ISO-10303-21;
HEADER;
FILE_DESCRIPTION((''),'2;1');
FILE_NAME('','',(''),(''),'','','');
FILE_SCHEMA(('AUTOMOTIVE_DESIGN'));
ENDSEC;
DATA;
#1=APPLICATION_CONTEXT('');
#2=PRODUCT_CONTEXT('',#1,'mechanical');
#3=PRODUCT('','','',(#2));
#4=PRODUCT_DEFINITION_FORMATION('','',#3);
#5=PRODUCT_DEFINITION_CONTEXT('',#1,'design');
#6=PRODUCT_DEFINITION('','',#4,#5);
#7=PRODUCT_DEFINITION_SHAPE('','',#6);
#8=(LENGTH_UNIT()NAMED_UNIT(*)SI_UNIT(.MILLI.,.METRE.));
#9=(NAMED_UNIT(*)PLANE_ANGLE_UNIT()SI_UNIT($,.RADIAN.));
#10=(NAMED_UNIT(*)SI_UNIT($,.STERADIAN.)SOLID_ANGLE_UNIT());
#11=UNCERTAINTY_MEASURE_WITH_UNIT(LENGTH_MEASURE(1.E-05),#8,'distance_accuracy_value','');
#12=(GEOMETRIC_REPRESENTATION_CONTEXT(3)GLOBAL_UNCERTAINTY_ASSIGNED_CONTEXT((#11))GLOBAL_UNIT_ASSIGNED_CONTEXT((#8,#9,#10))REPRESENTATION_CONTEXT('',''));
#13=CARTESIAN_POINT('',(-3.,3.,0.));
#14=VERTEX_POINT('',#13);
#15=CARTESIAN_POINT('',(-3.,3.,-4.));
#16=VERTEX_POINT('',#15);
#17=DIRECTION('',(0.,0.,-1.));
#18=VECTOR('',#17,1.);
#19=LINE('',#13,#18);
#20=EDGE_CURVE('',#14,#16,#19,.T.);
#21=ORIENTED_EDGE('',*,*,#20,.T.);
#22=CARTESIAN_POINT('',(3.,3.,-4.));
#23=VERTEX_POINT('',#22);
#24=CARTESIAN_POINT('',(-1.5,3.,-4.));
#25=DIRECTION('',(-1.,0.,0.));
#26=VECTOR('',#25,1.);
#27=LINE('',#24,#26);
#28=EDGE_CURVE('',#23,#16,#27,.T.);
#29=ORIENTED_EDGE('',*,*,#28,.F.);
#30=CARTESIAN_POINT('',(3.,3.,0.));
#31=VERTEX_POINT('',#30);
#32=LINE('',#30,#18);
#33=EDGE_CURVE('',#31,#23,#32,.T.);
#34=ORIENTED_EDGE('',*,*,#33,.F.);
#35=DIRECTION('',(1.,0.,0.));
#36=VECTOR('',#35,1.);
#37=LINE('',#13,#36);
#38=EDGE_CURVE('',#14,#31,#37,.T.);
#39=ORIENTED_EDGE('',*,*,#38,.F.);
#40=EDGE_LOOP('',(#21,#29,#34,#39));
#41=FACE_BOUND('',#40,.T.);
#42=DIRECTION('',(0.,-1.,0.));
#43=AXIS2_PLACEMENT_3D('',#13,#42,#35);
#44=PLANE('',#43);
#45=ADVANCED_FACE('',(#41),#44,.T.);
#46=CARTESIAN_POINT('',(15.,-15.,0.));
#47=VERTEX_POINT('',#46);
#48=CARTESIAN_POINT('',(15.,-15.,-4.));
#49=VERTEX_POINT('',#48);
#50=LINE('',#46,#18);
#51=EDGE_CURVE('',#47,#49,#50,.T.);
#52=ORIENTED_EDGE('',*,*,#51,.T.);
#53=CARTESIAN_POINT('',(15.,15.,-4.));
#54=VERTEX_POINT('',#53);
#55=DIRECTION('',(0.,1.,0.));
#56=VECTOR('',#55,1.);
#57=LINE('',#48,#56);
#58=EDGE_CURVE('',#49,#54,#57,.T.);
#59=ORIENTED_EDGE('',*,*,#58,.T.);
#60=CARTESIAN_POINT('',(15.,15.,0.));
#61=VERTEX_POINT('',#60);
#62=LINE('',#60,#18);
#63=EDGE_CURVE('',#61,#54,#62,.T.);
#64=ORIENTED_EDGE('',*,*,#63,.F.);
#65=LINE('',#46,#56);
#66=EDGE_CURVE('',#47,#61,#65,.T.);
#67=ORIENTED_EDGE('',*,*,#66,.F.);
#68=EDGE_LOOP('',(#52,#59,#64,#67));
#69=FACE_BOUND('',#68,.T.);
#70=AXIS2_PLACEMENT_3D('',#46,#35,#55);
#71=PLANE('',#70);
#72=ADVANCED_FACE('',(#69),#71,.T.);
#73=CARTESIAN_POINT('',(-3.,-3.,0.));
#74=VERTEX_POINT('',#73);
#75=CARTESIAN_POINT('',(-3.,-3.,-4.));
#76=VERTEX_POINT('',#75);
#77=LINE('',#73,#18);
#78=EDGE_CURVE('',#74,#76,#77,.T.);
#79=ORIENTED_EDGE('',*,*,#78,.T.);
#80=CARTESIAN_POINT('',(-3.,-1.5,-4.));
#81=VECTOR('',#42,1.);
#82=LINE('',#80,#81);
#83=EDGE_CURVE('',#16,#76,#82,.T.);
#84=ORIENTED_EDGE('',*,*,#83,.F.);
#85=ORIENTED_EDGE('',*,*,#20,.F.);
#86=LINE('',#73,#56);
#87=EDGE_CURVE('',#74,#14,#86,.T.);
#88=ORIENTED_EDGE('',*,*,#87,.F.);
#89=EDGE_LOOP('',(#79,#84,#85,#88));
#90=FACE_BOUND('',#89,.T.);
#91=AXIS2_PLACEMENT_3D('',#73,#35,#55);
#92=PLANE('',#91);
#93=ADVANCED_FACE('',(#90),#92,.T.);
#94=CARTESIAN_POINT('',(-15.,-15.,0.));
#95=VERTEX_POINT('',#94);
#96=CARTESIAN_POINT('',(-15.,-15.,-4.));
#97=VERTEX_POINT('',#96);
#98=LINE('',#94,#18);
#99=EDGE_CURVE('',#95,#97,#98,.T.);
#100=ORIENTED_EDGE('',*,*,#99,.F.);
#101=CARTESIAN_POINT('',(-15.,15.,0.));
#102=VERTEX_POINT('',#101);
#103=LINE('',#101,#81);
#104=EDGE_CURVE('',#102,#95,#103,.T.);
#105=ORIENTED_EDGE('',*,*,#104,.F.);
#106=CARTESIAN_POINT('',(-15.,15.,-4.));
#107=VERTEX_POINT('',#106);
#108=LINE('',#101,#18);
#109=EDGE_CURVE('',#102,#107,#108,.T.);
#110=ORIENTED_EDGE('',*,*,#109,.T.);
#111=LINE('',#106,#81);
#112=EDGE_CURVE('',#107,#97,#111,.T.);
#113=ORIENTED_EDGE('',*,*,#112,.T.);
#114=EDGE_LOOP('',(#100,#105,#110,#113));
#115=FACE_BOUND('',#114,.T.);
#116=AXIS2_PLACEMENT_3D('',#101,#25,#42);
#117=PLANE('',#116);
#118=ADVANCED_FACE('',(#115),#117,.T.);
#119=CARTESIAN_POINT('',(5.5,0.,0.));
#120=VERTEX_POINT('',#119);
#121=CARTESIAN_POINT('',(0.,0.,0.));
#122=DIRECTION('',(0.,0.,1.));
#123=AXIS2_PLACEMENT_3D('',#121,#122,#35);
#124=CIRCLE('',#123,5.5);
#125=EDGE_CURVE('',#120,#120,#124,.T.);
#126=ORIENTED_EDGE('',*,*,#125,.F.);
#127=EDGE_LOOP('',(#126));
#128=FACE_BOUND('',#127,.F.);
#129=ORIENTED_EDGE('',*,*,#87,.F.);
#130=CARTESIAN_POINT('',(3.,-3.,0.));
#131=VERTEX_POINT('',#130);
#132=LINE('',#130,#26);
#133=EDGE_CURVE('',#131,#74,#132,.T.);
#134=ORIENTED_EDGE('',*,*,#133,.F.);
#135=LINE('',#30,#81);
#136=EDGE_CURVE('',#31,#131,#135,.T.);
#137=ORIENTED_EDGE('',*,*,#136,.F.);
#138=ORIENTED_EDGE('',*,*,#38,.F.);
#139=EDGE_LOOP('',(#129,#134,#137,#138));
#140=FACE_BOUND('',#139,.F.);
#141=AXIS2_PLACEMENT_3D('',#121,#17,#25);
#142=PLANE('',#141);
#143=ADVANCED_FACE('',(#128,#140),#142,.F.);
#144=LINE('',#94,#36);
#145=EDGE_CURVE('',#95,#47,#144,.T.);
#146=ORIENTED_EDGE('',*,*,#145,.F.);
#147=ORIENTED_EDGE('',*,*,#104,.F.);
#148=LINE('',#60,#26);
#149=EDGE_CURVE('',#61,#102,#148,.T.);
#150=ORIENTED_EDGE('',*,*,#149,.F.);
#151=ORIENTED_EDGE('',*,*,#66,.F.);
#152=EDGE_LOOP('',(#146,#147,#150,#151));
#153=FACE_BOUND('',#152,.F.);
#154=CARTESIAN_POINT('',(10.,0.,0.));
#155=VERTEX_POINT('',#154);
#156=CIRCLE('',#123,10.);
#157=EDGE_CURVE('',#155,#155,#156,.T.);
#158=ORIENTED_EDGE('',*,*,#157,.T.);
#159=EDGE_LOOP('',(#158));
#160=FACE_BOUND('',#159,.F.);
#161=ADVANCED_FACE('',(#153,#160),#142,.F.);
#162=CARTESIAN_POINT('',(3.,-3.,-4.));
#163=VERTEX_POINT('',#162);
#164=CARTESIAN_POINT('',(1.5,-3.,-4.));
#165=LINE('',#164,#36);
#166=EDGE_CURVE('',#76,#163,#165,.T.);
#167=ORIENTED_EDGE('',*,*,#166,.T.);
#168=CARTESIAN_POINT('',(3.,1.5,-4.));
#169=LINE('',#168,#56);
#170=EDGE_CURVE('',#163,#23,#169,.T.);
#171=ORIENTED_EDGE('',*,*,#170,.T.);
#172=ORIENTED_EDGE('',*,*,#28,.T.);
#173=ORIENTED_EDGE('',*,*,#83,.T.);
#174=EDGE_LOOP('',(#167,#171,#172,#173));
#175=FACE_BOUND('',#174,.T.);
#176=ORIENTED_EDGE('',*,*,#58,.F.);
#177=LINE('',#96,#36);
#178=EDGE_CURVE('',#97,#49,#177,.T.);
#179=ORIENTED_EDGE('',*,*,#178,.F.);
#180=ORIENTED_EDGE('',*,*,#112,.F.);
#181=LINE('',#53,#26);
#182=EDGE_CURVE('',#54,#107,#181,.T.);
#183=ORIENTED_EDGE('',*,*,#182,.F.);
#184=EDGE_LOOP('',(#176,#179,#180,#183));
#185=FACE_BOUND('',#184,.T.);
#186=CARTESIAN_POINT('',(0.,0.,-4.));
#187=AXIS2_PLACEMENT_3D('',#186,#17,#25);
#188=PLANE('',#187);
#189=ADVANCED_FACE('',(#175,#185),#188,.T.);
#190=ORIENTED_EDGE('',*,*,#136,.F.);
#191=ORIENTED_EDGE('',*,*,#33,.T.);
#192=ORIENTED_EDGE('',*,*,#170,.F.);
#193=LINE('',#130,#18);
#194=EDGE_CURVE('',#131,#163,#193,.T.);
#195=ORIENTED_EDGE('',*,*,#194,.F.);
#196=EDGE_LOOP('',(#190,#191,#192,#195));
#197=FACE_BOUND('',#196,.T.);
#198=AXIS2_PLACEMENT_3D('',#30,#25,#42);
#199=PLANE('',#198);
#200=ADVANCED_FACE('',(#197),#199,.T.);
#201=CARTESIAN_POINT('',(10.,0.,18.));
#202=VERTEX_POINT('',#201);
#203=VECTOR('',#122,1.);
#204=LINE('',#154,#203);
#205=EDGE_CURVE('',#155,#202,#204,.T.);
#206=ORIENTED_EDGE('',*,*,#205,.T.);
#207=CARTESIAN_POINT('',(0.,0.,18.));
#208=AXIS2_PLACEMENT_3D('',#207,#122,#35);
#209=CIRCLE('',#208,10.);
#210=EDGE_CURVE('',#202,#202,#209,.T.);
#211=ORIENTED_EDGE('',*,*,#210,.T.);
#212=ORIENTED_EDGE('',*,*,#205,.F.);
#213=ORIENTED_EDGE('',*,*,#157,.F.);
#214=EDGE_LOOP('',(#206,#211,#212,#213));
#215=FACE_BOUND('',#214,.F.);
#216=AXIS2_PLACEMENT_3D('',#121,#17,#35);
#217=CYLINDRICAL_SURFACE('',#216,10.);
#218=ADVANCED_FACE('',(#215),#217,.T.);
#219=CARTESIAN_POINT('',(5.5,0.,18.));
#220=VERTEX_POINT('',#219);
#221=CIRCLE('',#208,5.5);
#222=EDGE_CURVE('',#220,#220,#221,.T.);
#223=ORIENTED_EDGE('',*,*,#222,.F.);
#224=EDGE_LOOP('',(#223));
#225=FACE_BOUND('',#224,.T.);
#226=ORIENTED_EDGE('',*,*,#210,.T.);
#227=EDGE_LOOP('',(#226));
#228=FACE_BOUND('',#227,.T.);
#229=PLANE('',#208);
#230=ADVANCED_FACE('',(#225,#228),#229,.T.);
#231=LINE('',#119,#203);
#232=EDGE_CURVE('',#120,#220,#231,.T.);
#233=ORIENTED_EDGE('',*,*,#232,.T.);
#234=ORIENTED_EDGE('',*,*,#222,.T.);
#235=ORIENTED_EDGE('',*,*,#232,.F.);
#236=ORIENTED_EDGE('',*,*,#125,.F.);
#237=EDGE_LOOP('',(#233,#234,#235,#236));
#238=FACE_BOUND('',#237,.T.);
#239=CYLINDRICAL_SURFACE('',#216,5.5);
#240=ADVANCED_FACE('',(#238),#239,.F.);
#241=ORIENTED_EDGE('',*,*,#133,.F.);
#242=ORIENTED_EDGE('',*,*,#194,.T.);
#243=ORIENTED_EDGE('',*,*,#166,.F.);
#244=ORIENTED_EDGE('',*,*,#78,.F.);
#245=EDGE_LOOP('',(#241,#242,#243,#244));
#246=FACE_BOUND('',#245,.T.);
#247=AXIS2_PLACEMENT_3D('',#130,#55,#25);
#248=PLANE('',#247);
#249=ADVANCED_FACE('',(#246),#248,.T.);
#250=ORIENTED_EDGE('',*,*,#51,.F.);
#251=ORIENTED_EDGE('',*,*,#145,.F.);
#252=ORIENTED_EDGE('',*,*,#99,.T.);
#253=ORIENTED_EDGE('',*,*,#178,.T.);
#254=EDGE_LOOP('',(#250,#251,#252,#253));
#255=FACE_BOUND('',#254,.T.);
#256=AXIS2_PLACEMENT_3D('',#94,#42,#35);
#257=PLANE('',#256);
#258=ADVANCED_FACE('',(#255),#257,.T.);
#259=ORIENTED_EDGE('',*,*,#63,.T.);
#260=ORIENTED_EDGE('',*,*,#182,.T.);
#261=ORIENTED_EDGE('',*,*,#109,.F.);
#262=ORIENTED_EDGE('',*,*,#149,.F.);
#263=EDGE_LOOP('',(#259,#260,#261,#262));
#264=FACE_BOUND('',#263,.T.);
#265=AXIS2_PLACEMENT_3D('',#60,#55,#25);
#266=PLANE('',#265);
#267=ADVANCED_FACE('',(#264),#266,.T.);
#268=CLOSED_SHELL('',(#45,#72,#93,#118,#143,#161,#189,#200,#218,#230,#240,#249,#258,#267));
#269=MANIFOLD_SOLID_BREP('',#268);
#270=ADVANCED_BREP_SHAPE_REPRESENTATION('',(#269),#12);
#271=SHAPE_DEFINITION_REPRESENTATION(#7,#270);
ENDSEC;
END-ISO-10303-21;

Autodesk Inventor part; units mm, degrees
ref_plane "YZ Plane" through (0, 0, 0) normal (1, 0, 0) x (0, 1, 0)
ref_plane "XZ Plane" through (0, 0, 0) normal (0, 1, 0) x (-1, 0, 0)
ref_plane "XY Plane" through (0, 0, 0) normal (0, 0, 1) x (1, 0, 0)
sketch "Sketch1" plane through (0, 0, 0) normal (0, 0, 1) x (1, 0, 0)
  circle A0 centre (0, 0) radius 5.5
  circle A1 centre (0, 0) radius 10
  dimension "d0" = 11
  dimension "d1" = 20
extrude "Extrusion1" add sketch "Sketch1" along normal blind 18
sketch "Sketch3" plane through (0, 0, 0) normal (0, 0, -1) x (-1, 0, 0)
  line L0 (15, -15) -> (-15, -15)
  line L1 (-15, -15) -> (-15, 15)
  line L2 (-15, 15) -> (15, 15)
  line L3 (15, 15) -> (15, -15)
  line L4 (15, -15) -> (-15, 15) construction
  line L5 (-15, -15) -> (15, 15) construction
  point P0 (0, 0)
  dimension "d4" = 30
  dimension "d5" = 30
extrude "Extrusion2" add sketch "Sketch3" along normal blind 4
sketch "Sketch5" plane through (0, 0, 0) normal (0, 0, 1) x (1, 0, 0)
  line L0 (-3, 3) -> (3, 3)
  line L1 (3, 3) -> (3, -3)
  line L2 (3, -3) -> (-3, -3)
  line L3 (-3, -3) -> (-3, 3)
  line L4 (-3, 3) -> (3, -3) construction
  line L5 (3, 3) -> (-3, -3) construction
  point P0 (0, 0)
  dimension "d8" = 6
  dimension "d9" = 6
extrude "Extrusion3" cut sketch "Sketch5" against normal blind 10
sketch "Sketch6" plane through (0, 0, 18) normal (0, 0, 1) x (1, 0, 0)
  circle A0 centre (0, 0) radius 10 projected
  line L0 (-10, 0) -> (-5.5, 0) construction
  circle A1 centre (0, 0) radius 5.5 projected
  circle A2 centre (-7.75, 0) radius 1.244
properties part number "MotorDemoV1"
